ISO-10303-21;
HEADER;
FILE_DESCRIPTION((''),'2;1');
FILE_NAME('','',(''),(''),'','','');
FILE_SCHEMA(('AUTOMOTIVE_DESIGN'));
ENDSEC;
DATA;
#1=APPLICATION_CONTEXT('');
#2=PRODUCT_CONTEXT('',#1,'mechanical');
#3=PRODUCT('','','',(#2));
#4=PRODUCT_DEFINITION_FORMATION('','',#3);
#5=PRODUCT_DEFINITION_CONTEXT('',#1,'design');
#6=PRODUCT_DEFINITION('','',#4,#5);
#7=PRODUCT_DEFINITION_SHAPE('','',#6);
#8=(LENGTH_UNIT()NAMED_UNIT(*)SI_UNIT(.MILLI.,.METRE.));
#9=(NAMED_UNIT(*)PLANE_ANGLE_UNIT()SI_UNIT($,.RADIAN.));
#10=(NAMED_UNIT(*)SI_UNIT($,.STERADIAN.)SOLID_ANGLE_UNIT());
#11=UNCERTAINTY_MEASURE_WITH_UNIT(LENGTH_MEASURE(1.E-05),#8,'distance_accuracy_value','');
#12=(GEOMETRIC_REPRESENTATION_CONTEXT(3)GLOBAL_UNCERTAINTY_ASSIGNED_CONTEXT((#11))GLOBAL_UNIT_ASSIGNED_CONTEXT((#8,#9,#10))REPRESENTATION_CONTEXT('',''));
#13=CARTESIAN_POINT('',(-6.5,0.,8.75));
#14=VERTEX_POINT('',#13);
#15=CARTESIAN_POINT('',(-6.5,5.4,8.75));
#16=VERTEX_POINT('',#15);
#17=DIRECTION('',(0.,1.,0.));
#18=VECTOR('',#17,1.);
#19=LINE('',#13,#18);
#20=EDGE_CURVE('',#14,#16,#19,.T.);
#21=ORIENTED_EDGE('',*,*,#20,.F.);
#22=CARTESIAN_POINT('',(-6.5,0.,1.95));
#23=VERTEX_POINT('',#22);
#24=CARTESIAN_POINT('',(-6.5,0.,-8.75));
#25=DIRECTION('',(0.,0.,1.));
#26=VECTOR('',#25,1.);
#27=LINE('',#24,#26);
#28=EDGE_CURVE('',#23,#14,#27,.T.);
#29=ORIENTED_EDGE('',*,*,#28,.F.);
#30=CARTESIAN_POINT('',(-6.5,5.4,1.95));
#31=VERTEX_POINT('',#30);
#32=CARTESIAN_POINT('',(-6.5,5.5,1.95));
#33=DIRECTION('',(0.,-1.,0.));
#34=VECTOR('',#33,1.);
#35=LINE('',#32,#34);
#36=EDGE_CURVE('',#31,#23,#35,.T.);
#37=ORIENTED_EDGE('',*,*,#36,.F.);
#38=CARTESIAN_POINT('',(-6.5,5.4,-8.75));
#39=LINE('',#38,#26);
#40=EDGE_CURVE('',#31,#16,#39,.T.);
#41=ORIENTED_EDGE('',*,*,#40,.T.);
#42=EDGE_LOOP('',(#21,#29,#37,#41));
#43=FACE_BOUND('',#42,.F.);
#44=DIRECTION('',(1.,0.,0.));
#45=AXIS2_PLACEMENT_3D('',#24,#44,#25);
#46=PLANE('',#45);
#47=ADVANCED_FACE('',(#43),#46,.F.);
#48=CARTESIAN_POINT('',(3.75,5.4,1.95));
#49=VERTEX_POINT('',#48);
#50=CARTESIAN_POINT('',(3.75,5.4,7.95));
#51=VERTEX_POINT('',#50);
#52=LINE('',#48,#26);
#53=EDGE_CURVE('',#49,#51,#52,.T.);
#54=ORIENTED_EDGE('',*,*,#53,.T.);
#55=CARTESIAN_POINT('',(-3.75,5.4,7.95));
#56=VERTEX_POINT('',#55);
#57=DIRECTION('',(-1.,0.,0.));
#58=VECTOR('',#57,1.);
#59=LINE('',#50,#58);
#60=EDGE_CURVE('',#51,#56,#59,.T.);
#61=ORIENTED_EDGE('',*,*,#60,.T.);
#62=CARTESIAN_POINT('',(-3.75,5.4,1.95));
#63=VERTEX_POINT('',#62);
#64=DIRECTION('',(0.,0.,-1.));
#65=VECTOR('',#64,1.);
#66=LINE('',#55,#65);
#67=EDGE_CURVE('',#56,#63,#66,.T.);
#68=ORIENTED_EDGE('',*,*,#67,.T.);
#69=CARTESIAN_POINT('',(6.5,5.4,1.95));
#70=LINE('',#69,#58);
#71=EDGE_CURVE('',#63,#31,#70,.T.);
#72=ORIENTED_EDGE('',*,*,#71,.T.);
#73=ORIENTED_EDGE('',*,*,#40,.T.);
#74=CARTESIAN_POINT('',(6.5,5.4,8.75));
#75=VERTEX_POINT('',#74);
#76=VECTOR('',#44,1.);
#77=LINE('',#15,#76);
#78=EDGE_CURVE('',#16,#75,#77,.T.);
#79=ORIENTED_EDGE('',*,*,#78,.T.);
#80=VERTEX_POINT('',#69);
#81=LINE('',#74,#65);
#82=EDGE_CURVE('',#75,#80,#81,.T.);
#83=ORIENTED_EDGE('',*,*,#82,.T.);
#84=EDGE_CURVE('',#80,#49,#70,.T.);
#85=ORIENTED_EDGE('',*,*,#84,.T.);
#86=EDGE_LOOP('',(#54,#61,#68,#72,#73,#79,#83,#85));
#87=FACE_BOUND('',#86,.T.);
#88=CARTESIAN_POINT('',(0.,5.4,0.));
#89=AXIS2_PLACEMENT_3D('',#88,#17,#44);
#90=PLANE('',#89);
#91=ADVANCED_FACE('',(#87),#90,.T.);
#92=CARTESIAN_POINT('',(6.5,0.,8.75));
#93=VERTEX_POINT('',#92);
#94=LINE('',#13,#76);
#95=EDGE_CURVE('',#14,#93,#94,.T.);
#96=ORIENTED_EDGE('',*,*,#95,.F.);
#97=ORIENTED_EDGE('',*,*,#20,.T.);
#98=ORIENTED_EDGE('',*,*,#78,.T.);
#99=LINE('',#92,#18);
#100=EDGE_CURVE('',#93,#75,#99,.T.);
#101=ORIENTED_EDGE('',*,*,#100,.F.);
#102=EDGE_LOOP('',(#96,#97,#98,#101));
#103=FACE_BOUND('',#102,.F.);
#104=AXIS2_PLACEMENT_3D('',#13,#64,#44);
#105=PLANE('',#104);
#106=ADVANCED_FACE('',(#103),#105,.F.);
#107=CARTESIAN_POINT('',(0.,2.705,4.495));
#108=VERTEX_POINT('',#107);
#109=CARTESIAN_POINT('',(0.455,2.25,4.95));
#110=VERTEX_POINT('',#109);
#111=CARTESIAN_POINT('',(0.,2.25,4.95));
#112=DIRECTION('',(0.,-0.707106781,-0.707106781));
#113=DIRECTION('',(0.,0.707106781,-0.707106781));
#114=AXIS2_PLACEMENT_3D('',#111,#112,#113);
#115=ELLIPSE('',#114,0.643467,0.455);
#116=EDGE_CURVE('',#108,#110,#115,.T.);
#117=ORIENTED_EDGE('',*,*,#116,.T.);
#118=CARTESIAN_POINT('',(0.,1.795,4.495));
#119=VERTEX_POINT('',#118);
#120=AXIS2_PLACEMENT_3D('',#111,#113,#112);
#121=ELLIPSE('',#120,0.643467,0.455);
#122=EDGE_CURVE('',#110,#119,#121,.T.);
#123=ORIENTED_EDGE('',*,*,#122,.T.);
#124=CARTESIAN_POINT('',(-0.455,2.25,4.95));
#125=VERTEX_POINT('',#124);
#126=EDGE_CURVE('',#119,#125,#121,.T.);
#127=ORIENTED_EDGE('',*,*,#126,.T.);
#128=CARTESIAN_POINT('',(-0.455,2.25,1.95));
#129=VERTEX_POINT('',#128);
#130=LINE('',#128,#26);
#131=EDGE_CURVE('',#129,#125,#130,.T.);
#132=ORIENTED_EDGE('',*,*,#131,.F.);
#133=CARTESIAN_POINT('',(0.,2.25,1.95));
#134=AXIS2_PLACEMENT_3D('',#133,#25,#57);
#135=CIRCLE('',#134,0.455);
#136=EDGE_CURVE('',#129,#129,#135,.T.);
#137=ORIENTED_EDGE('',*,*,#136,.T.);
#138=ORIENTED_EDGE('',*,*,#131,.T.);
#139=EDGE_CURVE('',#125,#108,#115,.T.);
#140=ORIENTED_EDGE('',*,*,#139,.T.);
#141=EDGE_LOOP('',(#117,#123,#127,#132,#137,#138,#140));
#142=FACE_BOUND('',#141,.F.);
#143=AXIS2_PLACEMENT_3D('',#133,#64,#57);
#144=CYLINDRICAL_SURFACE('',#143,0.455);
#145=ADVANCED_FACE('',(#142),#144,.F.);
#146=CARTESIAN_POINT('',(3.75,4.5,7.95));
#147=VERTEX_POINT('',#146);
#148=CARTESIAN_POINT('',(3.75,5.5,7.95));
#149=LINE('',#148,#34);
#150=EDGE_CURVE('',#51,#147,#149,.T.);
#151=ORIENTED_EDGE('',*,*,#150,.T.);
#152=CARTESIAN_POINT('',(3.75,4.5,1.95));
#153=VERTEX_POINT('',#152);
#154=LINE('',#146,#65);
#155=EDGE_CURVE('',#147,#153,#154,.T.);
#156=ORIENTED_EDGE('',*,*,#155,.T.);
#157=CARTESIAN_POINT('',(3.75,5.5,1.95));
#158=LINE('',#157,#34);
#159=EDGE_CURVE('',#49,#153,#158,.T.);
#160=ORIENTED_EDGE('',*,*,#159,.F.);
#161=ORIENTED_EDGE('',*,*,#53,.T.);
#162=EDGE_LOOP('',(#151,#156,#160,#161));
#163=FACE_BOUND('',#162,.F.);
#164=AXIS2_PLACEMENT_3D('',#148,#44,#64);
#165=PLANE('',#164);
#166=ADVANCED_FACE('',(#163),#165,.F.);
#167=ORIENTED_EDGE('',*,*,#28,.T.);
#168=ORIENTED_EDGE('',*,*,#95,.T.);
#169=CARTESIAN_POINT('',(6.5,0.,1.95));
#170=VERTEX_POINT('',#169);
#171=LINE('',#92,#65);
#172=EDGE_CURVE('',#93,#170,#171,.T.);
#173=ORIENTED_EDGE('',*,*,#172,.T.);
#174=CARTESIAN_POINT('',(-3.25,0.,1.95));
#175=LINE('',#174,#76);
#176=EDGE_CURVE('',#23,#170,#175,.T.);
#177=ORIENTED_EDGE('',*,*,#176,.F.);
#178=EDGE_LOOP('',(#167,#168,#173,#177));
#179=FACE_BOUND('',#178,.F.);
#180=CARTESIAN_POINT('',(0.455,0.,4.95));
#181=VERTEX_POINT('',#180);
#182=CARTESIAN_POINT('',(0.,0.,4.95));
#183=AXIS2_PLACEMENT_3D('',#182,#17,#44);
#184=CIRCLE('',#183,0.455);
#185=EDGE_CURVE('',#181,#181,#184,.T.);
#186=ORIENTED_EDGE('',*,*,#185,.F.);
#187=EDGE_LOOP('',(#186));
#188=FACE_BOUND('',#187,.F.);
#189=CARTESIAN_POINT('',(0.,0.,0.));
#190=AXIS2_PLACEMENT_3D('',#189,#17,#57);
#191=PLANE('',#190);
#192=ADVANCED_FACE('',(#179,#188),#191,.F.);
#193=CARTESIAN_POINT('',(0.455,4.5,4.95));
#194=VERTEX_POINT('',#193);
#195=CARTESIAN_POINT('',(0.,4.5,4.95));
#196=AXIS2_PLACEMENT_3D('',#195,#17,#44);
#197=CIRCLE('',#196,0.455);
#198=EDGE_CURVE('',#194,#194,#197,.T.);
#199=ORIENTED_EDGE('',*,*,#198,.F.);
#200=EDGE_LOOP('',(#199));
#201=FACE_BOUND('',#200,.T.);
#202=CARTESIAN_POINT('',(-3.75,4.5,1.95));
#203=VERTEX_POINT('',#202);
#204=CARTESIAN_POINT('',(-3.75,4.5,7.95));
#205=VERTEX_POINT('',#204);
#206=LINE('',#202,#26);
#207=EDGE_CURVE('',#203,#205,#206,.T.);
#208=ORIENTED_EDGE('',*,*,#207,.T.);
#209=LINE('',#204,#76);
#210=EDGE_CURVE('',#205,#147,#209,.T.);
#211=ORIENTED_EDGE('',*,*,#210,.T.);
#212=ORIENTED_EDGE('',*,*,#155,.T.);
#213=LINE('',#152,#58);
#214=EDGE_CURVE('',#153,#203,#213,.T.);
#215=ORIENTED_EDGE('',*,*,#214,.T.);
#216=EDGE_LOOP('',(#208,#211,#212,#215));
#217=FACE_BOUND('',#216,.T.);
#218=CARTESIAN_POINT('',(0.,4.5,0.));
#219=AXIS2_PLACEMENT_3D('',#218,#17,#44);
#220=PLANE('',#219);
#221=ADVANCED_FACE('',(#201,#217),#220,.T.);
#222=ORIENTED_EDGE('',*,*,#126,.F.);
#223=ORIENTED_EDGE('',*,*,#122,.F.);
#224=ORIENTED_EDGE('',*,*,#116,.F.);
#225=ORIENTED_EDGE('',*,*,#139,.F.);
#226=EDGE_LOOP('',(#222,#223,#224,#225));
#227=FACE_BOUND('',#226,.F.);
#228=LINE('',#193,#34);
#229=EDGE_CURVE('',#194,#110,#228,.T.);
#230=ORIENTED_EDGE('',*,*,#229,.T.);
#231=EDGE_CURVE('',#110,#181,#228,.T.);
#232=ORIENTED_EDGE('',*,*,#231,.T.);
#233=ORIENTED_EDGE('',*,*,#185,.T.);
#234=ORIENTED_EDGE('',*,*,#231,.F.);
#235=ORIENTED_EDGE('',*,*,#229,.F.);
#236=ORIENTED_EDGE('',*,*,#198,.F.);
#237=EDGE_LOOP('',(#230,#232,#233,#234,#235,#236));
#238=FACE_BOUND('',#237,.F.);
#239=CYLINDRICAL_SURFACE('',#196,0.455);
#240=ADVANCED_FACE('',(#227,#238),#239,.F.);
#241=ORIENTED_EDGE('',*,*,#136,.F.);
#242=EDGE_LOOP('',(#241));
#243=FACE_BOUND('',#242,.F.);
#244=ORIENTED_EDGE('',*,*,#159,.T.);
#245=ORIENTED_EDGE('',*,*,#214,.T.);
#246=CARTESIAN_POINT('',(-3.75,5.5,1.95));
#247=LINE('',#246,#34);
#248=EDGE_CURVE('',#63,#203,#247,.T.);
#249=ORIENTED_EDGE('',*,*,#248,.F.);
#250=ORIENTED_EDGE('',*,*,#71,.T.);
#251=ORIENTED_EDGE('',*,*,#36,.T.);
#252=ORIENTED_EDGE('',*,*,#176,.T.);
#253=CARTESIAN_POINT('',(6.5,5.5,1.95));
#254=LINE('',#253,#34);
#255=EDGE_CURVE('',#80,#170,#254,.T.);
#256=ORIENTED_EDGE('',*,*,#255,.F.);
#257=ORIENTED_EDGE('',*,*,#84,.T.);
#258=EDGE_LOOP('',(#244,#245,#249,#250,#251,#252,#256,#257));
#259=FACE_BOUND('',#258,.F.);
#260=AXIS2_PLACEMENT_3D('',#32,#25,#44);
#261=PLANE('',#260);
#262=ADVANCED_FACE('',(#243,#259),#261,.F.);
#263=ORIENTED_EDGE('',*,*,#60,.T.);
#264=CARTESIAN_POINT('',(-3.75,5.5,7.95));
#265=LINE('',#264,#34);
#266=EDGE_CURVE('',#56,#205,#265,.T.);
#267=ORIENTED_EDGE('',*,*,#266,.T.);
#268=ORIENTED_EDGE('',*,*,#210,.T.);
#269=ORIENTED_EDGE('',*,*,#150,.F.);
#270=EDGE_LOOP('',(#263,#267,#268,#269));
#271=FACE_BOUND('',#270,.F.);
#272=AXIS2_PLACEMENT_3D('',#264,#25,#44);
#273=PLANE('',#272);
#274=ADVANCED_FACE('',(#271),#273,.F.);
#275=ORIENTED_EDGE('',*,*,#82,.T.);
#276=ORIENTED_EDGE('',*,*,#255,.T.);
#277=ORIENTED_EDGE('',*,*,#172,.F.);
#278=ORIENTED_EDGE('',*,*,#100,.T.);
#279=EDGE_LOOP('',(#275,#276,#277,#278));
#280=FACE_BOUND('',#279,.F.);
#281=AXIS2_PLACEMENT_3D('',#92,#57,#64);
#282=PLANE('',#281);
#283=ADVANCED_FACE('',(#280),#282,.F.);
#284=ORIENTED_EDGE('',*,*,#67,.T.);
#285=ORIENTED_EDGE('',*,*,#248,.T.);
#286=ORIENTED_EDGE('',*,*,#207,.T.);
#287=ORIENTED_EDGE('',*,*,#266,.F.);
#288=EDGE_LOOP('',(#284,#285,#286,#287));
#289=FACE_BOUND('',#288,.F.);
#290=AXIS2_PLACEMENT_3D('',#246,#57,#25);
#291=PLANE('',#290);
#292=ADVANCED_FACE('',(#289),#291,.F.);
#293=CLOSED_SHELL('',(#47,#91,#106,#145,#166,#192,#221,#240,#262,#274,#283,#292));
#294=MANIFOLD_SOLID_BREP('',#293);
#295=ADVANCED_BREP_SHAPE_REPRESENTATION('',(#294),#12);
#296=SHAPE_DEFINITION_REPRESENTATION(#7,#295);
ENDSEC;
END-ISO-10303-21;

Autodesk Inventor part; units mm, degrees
ref_plane "YZ Plane" through (0, 0, 0) normal (1, 0, 0) x (0, 1, 0)
ref_plane "XZ Plane" through (0, 0, 0) normal (0, 1, 0) x (-1, 0, 0)
ref_plane "XY Plane" through (0, 0, 0) normal (0, 0, 1) x (1, 0, 0)
sketch "Skizze1" plane through (0, 0, 0) normal (0, 1, 0) x (-1, 0, 0)
  line L0 (-6.5, -8.75) -> (6.5, -8.75)
  line L1 (6.5, -8.75) -> (6.5, 8.75)
  line L2 (6.5, 8.75) -> (-6.5, 8.75)
  line L3 (-6.5, 8.75) -> (-6.5, -8.75)
  line L4 (-6.5, -8.75) -> (6.5, 8.75) construction
  line L5 (6.5, -8.75) -> (-6.5, 8.75) construction
  point P0 (0, 0)
  dimension "d0" = 13
  dimension "d1" = 17.5
extrude "Extrusion1" add sketch "Skizze1" along normal blind 5.5
sketch "Skizze2" plane through (0, 5.5, 0) normal (0, 1, 0) x (1, 0, 0)
  line L0 (-6.5, 8.75) -> (-6.5, -8.75) projected
  line L1 (-6.5, -8.75) -> (6.5, -8.75) projected
  line L2 (6.5, -8.75) -> (6.5, 8.75) projected
  line L3 (6.5, 8.75) -> (-6.5, 8.75) projected
  line L4 (3.75, -1.95) -> (-3.75, -1.95)
  line L5 (-3.75, -1.95) -> (-3.75, -7.95)
  line L6 (-3.75, -7.95) -> (3.75, -7.95)
  line L7 (3.75, -7.95) -> (3.75, -1.95)
  line L8 (3.75, -1.95) -> (-3.75, -7.95) construction
  line L9 (-3.75, -1.95) -> (3.75, -7.95) construction
  point P0 (0, 0)
  point P1 (0, -4.95)
  dimension "d4" = 7.5
  dimension "d5" = 6
  dimension "d17" = 0.8
extrude "Extrusion2" cut sketch "Skizze2" against normal blind 1 contours L7 L6 L5 L4
sketch "Skizze3" plane through (0, 5.5, 0) normal (0, 1, 0) x (1, 0, 0)
  line L0 (-6.5, 8.75) -> (-6.5, -8.75) projected
  line L1 (3.75, -7.95) -> (-3.75, -7.95) projected
  line L2 (-3.75, -7.95) -> (-3.75, -1.95) projected
  line L3 (-3.75, -1.95) -> (3.75, -1.95) projected
  line L4 (3.75, -1.95) -> (3.75, -7.95) projected
  line L5 (-6.5, 8.75) -> (-6.5, -8.75) projected
  line L6 (-6.5, -8.75) -> (6.5, -8.75) projected
  line L7 (6.5, -8.75) -> (6.5, 8.75) projected
  line L8 (6.5, 8.75) -> (-6.5, 8.75) projected
  line L9 (6.5, -8.75) -> (6.5, 8.75) projected
  line L10 (-6.5, -8.75) -> (6.5, -8.75)
  line L11 (6.5, -8.75) -> (6.5, -1.95)
  line L12 (6.5, -1.95) -> (-6.5, -1.95)
  line L13 (-6.5, -1.95) -> (-6.5, -8.75)
  point P0 (0, 0)
  point P1 (-6.5, -1.95)
  dimension "d8" = 6.8
extrude "Extrusion3" cut sketch "Skizze3" against normal blind 0.1 contours L12 L2 L1 L4 L7 L6 L0
sketch "Skizze4" plane through (6.5, 0, -8.75) normal (0, 0, -1) x (-1, 0, 0)
  line L0 (0, 0) -> (13, 0) projected
  line L1 (13, 0) -> (13, 5.5) projected
  line L2 (0, 5.5) -> (13, 5.5) projected
  line L3 (0, 0) -> (0, 5.5) projected
  line L4 (10.15, 4.75) -> (2.85, 4.75)
  line L5 (2.85, 4.75) -> (2.85, 0.75)
  line L6 (2.85, 0.75) -> (10.15, 0.75)
  line L7 (10.15, 0.75) -> (10.15, 4.75)
  line L8 (10.15, 4.75) -> (2.85, 0.75) construction
  line L9 (2.85, 4.75) -> (10.15, 0.75) construction
  point P0 (6.5, 0)
  point P1 (6.5, 2.75)
  dimension "d11" = 7.3
  dimension "d12" = 4
extrude "Extrusion4" cut sketch "Skizze4" against normal blind 0.1 contours L7 L6 L5 L4
sketch "Skizze5" plane through (0, 5.5, 0) normal (0, 1, 0) x (1, 0, 0)
  line L0 (-6.5, -1.95) -> (6.5, -1.95) projected
  line L1 (6.5, -1.95) -> (6.5, 8.75) projected
  line L2 (6.5, 8.75) -> (-6.5, 8.75) projected
  line L3 (-6.5, 8.75) -> (-6.5, -1.95) projected
  point P0 (0, 0)
extrude "Extrusion5" cut sketch "Skizze5" against normal blind 10
sketch "Skizze6" plane through (0, 4.5, 0) normal (0, 1, 0) x (1, 0, 0)
  line L0 (-3.75, -7.95) -> (-3.75, -1.95) projected
  line L1 (3.75, -7.95) -> (-3.75, -7.95) projected
  line L2 (3.75, -1.95) -> (3.75, -7.95) projected
  line L3 (-3.75, -1.95) -> (3.75, -1.95) projected
  circle A0 centre (0, -4.95) radius 0.455
  point P0 (0, 0)
extrude "Extrusion6" cut sketch "Skizze6" against normal blind 10 contours A0
sketch "Skizze7" plane through (6.5, 0, 1.95) normal (0, 0, -1) x (-1, 0, 0)
  line L0 (13, 5.4) -> (10.25, 5.4) projected
  line L1 (10.25, 5.4) -> (10.25, 4.5) projected
  line L2 (10.25, 4.5) -> (2.75, 4.5) projected
  line L3 (2.75, 5.4) -> (2.75, 4.5) projected
  line L4 (2.75, 5.4) -> (0, 5.4) projected
  line L5 (0, 0) -> (0, 5.4) projected
  line L6 (13, 0) -> (0, 0) projected
  line L7 (13, 5.4) -> (13, 0) projected
  line L8 (6.045, 4.5) -> (6.955, 4.5) projected
  line L9 (2.75, 4.5) -> (10.25, 4.5) projected
  line L10 (10.25, 4.5) -> (2.75, 4.5) projected
  line L11 (6.955, 4.5) -> (6.955, 0) projected
  line L12 (6.045, 4.5) -> (6.045, 0) projected
  circle A0 centre (6.5, 2.25) radius 0.455
  point P0 (6.5, 0)
extrude "Extrusion7" cut sketch "Skizze7" against normal up to surface contours A0
properties part number "00_HuaweiP30_Telelens_prismonly"
